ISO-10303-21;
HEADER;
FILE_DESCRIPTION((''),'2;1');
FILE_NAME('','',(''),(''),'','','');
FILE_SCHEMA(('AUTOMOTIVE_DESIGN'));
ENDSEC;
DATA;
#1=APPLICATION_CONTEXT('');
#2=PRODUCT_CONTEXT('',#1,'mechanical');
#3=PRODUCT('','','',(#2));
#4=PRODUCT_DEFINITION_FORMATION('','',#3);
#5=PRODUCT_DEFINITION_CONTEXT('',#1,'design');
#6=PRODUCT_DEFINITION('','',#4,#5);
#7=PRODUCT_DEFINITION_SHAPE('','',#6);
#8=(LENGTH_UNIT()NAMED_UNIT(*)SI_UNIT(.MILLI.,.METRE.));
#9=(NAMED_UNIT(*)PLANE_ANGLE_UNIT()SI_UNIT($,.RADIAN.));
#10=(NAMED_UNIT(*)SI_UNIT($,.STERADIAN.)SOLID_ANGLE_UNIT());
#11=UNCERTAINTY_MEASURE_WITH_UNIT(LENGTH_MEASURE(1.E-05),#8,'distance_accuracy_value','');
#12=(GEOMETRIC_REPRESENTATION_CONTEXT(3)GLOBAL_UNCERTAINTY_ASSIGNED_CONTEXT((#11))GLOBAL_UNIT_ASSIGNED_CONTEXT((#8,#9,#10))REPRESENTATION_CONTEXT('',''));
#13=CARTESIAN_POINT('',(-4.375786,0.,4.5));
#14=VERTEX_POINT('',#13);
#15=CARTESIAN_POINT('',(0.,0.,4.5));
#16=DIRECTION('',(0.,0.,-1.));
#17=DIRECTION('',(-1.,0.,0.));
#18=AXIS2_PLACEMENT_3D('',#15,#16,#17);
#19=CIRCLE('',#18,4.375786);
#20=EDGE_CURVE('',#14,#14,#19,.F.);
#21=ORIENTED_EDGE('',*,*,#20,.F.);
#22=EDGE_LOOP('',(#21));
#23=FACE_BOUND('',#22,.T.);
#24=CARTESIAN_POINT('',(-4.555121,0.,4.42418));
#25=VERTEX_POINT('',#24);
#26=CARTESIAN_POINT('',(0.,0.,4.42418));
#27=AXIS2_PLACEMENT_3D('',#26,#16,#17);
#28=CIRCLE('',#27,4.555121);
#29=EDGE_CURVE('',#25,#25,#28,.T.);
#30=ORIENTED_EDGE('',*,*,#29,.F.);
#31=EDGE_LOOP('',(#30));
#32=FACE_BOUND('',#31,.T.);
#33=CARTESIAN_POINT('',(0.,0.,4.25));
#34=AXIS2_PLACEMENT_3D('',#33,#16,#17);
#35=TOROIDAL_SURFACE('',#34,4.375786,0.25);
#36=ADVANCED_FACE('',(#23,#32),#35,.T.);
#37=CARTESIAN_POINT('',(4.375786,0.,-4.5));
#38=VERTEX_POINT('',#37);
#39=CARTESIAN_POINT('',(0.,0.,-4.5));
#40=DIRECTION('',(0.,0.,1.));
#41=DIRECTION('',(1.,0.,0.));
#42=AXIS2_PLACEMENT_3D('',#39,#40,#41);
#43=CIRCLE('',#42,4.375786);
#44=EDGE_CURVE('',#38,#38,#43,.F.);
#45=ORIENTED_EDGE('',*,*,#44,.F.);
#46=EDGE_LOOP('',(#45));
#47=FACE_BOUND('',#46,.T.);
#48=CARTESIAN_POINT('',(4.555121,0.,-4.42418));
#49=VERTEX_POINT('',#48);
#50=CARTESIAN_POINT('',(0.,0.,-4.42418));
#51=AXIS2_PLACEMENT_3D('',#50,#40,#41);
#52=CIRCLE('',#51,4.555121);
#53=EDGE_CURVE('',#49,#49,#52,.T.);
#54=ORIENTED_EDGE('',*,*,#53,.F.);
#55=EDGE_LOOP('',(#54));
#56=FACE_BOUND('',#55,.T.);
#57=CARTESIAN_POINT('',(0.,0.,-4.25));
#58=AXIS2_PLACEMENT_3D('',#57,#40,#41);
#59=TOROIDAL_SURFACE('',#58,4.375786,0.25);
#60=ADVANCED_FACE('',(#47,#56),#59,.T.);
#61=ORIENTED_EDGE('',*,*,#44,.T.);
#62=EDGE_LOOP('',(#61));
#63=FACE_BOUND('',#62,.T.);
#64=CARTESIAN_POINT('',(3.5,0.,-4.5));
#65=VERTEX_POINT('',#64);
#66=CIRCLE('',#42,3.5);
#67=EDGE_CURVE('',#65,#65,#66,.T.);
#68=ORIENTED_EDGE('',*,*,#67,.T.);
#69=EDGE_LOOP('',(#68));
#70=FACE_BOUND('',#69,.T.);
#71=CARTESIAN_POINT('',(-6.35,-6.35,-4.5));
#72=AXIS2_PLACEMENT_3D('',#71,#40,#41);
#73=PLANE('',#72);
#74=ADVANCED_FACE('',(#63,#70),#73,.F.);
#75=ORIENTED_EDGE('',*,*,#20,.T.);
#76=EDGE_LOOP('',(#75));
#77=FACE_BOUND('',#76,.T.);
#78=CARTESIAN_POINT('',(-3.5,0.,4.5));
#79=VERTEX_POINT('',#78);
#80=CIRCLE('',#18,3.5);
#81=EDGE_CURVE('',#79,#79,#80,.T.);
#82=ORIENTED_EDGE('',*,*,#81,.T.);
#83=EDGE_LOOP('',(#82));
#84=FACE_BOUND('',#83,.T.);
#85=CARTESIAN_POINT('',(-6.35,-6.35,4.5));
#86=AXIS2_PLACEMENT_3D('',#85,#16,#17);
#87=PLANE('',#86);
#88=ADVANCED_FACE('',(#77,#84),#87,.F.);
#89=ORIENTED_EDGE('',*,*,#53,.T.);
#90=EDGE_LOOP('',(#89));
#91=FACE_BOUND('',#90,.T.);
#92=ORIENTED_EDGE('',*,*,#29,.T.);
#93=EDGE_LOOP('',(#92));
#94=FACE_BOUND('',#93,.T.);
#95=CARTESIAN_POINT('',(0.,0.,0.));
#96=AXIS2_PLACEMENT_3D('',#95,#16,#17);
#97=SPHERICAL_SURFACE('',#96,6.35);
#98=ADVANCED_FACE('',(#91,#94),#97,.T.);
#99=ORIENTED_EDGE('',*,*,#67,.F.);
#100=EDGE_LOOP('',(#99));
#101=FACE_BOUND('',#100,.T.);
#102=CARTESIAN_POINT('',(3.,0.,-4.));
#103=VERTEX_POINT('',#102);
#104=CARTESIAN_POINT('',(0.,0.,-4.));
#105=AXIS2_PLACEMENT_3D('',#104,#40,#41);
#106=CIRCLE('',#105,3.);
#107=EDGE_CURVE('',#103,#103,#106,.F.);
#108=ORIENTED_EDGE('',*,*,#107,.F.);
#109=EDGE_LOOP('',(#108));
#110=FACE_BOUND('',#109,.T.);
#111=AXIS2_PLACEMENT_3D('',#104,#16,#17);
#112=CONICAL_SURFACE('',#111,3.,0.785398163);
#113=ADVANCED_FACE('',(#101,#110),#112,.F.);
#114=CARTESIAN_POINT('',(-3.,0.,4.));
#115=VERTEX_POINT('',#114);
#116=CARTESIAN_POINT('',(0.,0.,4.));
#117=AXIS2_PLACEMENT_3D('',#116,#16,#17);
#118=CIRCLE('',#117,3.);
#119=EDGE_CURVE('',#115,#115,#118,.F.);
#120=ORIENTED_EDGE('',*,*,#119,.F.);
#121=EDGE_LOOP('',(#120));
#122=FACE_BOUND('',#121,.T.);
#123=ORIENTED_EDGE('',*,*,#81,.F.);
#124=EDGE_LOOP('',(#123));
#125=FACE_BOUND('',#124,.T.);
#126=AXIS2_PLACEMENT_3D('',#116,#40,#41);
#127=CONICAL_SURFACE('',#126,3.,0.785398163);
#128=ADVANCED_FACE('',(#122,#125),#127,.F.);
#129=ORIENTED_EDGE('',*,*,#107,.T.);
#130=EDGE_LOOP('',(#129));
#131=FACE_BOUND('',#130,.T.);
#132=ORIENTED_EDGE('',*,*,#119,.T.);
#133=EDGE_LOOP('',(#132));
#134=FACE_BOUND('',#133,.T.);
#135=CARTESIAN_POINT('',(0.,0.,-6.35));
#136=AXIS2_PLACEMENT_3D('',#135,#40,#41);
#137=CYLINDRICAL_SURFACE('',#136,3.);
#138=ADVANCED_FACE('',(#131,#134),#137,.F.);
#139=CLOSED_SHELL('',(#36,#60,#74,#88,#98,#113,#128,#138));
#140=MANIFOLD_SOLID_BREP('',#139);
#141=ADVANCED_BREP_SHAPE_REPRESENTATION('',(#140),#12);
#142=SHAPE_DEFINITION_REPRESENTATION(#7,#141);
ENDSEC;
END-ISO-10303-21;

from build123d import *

# Parameters (mm, degrees)
CORTAR_EXTRUIR1_DEPTH      = 11.998522628
CORTAR_EXTRUIR1_DEPTH_BACK = 11.998522628
CROQUIS2_R                 = 3
CORTAR_EXTRUIR2_DEPTH      = 11.998522628
CORTAR_EXTRUIR2_DEPTH_BACK = 11.998522628
CROQUIS3_W                 = 1.096650784
CROQUIS3_H                 = 12.7
REDONDEO1_R                = 0.25
CHAFL_N1_SIZE              = 0.5


with BuildPart() as part:
    # Croquis1 → Revolución1 (revolve)
    with BuildSketch(Plane.XY):
        with BuildLine():
            Line((0, 6.35), (0, -6.35))
            ThreePointArc((0, -6.35), (-6.35, 0), (0, 6.35))
        make_face()
    revolve(axis=Axis((0, 6.35, 0), (0, -1, 0)))

    # Croquis2 → Cortar-Extruir1 (cut, two sides: drawn at the far end of the back side and taken through both)
    with BuildSketch(Plane.XY.offset(-CORTAR_EXTRUIR1_DEPTH_BACK)):
        with Locations(Location((0, 0, 0), (0, 0, 180))):
            Circle(CROQUIS2_R)
    extrude(amount=CORTAR_EXTRUIR1_DEPTH + CORTAR_EXTRUIR1_DEPTH_BACK, mode=Mode.SUBTRACT)

    # Croquis3 → Cortar-Extruir2 (cut, two sides: drawn at the far end of the back side and taken through both)
    with BuildSketch(Plane(origin=(0, 0, 0), x_dir=(0, 0, -1), z_dir=(1, 0, 0)).offset(-CORTAR_EXTRUIR2_DEPTH_BACK)):
        with Locations((5.048325392, 0)):
            Rectangle(CROQUIS3_W, CROQUIS3_H)
        with Locations((-5.048325392, 0)):
            Rectangle(CROQUIS3_W, CROQUIS3_H)
    extrude(amount=CORTAR_EXTRUIR2_DEPTH + CORTAR_EXTRUIR2_DEPTH_BACK, mode=Mode.SUBTRACT)

    # Redondeo1
    redondeo1_edges = [part.edges().sort_by_distance(p)[0] for p in [
        (0, -4.480234369, 4.5),
        (0, 4.480234369, -4.5),
    ]]
    fillet(redondeo1_edges, radius=REDONDEO1_R)

    # Chaflán1
    chafl_n1_edges = [part.edges().sort_by_distance(p)[0] for p in [
        (3, 0, 4.5),
        (3, 0, -4.5),
    ]]
    chamfer(chafl_n1_edges, length=CHAFL_N1_SIZE)


solid = part.part
